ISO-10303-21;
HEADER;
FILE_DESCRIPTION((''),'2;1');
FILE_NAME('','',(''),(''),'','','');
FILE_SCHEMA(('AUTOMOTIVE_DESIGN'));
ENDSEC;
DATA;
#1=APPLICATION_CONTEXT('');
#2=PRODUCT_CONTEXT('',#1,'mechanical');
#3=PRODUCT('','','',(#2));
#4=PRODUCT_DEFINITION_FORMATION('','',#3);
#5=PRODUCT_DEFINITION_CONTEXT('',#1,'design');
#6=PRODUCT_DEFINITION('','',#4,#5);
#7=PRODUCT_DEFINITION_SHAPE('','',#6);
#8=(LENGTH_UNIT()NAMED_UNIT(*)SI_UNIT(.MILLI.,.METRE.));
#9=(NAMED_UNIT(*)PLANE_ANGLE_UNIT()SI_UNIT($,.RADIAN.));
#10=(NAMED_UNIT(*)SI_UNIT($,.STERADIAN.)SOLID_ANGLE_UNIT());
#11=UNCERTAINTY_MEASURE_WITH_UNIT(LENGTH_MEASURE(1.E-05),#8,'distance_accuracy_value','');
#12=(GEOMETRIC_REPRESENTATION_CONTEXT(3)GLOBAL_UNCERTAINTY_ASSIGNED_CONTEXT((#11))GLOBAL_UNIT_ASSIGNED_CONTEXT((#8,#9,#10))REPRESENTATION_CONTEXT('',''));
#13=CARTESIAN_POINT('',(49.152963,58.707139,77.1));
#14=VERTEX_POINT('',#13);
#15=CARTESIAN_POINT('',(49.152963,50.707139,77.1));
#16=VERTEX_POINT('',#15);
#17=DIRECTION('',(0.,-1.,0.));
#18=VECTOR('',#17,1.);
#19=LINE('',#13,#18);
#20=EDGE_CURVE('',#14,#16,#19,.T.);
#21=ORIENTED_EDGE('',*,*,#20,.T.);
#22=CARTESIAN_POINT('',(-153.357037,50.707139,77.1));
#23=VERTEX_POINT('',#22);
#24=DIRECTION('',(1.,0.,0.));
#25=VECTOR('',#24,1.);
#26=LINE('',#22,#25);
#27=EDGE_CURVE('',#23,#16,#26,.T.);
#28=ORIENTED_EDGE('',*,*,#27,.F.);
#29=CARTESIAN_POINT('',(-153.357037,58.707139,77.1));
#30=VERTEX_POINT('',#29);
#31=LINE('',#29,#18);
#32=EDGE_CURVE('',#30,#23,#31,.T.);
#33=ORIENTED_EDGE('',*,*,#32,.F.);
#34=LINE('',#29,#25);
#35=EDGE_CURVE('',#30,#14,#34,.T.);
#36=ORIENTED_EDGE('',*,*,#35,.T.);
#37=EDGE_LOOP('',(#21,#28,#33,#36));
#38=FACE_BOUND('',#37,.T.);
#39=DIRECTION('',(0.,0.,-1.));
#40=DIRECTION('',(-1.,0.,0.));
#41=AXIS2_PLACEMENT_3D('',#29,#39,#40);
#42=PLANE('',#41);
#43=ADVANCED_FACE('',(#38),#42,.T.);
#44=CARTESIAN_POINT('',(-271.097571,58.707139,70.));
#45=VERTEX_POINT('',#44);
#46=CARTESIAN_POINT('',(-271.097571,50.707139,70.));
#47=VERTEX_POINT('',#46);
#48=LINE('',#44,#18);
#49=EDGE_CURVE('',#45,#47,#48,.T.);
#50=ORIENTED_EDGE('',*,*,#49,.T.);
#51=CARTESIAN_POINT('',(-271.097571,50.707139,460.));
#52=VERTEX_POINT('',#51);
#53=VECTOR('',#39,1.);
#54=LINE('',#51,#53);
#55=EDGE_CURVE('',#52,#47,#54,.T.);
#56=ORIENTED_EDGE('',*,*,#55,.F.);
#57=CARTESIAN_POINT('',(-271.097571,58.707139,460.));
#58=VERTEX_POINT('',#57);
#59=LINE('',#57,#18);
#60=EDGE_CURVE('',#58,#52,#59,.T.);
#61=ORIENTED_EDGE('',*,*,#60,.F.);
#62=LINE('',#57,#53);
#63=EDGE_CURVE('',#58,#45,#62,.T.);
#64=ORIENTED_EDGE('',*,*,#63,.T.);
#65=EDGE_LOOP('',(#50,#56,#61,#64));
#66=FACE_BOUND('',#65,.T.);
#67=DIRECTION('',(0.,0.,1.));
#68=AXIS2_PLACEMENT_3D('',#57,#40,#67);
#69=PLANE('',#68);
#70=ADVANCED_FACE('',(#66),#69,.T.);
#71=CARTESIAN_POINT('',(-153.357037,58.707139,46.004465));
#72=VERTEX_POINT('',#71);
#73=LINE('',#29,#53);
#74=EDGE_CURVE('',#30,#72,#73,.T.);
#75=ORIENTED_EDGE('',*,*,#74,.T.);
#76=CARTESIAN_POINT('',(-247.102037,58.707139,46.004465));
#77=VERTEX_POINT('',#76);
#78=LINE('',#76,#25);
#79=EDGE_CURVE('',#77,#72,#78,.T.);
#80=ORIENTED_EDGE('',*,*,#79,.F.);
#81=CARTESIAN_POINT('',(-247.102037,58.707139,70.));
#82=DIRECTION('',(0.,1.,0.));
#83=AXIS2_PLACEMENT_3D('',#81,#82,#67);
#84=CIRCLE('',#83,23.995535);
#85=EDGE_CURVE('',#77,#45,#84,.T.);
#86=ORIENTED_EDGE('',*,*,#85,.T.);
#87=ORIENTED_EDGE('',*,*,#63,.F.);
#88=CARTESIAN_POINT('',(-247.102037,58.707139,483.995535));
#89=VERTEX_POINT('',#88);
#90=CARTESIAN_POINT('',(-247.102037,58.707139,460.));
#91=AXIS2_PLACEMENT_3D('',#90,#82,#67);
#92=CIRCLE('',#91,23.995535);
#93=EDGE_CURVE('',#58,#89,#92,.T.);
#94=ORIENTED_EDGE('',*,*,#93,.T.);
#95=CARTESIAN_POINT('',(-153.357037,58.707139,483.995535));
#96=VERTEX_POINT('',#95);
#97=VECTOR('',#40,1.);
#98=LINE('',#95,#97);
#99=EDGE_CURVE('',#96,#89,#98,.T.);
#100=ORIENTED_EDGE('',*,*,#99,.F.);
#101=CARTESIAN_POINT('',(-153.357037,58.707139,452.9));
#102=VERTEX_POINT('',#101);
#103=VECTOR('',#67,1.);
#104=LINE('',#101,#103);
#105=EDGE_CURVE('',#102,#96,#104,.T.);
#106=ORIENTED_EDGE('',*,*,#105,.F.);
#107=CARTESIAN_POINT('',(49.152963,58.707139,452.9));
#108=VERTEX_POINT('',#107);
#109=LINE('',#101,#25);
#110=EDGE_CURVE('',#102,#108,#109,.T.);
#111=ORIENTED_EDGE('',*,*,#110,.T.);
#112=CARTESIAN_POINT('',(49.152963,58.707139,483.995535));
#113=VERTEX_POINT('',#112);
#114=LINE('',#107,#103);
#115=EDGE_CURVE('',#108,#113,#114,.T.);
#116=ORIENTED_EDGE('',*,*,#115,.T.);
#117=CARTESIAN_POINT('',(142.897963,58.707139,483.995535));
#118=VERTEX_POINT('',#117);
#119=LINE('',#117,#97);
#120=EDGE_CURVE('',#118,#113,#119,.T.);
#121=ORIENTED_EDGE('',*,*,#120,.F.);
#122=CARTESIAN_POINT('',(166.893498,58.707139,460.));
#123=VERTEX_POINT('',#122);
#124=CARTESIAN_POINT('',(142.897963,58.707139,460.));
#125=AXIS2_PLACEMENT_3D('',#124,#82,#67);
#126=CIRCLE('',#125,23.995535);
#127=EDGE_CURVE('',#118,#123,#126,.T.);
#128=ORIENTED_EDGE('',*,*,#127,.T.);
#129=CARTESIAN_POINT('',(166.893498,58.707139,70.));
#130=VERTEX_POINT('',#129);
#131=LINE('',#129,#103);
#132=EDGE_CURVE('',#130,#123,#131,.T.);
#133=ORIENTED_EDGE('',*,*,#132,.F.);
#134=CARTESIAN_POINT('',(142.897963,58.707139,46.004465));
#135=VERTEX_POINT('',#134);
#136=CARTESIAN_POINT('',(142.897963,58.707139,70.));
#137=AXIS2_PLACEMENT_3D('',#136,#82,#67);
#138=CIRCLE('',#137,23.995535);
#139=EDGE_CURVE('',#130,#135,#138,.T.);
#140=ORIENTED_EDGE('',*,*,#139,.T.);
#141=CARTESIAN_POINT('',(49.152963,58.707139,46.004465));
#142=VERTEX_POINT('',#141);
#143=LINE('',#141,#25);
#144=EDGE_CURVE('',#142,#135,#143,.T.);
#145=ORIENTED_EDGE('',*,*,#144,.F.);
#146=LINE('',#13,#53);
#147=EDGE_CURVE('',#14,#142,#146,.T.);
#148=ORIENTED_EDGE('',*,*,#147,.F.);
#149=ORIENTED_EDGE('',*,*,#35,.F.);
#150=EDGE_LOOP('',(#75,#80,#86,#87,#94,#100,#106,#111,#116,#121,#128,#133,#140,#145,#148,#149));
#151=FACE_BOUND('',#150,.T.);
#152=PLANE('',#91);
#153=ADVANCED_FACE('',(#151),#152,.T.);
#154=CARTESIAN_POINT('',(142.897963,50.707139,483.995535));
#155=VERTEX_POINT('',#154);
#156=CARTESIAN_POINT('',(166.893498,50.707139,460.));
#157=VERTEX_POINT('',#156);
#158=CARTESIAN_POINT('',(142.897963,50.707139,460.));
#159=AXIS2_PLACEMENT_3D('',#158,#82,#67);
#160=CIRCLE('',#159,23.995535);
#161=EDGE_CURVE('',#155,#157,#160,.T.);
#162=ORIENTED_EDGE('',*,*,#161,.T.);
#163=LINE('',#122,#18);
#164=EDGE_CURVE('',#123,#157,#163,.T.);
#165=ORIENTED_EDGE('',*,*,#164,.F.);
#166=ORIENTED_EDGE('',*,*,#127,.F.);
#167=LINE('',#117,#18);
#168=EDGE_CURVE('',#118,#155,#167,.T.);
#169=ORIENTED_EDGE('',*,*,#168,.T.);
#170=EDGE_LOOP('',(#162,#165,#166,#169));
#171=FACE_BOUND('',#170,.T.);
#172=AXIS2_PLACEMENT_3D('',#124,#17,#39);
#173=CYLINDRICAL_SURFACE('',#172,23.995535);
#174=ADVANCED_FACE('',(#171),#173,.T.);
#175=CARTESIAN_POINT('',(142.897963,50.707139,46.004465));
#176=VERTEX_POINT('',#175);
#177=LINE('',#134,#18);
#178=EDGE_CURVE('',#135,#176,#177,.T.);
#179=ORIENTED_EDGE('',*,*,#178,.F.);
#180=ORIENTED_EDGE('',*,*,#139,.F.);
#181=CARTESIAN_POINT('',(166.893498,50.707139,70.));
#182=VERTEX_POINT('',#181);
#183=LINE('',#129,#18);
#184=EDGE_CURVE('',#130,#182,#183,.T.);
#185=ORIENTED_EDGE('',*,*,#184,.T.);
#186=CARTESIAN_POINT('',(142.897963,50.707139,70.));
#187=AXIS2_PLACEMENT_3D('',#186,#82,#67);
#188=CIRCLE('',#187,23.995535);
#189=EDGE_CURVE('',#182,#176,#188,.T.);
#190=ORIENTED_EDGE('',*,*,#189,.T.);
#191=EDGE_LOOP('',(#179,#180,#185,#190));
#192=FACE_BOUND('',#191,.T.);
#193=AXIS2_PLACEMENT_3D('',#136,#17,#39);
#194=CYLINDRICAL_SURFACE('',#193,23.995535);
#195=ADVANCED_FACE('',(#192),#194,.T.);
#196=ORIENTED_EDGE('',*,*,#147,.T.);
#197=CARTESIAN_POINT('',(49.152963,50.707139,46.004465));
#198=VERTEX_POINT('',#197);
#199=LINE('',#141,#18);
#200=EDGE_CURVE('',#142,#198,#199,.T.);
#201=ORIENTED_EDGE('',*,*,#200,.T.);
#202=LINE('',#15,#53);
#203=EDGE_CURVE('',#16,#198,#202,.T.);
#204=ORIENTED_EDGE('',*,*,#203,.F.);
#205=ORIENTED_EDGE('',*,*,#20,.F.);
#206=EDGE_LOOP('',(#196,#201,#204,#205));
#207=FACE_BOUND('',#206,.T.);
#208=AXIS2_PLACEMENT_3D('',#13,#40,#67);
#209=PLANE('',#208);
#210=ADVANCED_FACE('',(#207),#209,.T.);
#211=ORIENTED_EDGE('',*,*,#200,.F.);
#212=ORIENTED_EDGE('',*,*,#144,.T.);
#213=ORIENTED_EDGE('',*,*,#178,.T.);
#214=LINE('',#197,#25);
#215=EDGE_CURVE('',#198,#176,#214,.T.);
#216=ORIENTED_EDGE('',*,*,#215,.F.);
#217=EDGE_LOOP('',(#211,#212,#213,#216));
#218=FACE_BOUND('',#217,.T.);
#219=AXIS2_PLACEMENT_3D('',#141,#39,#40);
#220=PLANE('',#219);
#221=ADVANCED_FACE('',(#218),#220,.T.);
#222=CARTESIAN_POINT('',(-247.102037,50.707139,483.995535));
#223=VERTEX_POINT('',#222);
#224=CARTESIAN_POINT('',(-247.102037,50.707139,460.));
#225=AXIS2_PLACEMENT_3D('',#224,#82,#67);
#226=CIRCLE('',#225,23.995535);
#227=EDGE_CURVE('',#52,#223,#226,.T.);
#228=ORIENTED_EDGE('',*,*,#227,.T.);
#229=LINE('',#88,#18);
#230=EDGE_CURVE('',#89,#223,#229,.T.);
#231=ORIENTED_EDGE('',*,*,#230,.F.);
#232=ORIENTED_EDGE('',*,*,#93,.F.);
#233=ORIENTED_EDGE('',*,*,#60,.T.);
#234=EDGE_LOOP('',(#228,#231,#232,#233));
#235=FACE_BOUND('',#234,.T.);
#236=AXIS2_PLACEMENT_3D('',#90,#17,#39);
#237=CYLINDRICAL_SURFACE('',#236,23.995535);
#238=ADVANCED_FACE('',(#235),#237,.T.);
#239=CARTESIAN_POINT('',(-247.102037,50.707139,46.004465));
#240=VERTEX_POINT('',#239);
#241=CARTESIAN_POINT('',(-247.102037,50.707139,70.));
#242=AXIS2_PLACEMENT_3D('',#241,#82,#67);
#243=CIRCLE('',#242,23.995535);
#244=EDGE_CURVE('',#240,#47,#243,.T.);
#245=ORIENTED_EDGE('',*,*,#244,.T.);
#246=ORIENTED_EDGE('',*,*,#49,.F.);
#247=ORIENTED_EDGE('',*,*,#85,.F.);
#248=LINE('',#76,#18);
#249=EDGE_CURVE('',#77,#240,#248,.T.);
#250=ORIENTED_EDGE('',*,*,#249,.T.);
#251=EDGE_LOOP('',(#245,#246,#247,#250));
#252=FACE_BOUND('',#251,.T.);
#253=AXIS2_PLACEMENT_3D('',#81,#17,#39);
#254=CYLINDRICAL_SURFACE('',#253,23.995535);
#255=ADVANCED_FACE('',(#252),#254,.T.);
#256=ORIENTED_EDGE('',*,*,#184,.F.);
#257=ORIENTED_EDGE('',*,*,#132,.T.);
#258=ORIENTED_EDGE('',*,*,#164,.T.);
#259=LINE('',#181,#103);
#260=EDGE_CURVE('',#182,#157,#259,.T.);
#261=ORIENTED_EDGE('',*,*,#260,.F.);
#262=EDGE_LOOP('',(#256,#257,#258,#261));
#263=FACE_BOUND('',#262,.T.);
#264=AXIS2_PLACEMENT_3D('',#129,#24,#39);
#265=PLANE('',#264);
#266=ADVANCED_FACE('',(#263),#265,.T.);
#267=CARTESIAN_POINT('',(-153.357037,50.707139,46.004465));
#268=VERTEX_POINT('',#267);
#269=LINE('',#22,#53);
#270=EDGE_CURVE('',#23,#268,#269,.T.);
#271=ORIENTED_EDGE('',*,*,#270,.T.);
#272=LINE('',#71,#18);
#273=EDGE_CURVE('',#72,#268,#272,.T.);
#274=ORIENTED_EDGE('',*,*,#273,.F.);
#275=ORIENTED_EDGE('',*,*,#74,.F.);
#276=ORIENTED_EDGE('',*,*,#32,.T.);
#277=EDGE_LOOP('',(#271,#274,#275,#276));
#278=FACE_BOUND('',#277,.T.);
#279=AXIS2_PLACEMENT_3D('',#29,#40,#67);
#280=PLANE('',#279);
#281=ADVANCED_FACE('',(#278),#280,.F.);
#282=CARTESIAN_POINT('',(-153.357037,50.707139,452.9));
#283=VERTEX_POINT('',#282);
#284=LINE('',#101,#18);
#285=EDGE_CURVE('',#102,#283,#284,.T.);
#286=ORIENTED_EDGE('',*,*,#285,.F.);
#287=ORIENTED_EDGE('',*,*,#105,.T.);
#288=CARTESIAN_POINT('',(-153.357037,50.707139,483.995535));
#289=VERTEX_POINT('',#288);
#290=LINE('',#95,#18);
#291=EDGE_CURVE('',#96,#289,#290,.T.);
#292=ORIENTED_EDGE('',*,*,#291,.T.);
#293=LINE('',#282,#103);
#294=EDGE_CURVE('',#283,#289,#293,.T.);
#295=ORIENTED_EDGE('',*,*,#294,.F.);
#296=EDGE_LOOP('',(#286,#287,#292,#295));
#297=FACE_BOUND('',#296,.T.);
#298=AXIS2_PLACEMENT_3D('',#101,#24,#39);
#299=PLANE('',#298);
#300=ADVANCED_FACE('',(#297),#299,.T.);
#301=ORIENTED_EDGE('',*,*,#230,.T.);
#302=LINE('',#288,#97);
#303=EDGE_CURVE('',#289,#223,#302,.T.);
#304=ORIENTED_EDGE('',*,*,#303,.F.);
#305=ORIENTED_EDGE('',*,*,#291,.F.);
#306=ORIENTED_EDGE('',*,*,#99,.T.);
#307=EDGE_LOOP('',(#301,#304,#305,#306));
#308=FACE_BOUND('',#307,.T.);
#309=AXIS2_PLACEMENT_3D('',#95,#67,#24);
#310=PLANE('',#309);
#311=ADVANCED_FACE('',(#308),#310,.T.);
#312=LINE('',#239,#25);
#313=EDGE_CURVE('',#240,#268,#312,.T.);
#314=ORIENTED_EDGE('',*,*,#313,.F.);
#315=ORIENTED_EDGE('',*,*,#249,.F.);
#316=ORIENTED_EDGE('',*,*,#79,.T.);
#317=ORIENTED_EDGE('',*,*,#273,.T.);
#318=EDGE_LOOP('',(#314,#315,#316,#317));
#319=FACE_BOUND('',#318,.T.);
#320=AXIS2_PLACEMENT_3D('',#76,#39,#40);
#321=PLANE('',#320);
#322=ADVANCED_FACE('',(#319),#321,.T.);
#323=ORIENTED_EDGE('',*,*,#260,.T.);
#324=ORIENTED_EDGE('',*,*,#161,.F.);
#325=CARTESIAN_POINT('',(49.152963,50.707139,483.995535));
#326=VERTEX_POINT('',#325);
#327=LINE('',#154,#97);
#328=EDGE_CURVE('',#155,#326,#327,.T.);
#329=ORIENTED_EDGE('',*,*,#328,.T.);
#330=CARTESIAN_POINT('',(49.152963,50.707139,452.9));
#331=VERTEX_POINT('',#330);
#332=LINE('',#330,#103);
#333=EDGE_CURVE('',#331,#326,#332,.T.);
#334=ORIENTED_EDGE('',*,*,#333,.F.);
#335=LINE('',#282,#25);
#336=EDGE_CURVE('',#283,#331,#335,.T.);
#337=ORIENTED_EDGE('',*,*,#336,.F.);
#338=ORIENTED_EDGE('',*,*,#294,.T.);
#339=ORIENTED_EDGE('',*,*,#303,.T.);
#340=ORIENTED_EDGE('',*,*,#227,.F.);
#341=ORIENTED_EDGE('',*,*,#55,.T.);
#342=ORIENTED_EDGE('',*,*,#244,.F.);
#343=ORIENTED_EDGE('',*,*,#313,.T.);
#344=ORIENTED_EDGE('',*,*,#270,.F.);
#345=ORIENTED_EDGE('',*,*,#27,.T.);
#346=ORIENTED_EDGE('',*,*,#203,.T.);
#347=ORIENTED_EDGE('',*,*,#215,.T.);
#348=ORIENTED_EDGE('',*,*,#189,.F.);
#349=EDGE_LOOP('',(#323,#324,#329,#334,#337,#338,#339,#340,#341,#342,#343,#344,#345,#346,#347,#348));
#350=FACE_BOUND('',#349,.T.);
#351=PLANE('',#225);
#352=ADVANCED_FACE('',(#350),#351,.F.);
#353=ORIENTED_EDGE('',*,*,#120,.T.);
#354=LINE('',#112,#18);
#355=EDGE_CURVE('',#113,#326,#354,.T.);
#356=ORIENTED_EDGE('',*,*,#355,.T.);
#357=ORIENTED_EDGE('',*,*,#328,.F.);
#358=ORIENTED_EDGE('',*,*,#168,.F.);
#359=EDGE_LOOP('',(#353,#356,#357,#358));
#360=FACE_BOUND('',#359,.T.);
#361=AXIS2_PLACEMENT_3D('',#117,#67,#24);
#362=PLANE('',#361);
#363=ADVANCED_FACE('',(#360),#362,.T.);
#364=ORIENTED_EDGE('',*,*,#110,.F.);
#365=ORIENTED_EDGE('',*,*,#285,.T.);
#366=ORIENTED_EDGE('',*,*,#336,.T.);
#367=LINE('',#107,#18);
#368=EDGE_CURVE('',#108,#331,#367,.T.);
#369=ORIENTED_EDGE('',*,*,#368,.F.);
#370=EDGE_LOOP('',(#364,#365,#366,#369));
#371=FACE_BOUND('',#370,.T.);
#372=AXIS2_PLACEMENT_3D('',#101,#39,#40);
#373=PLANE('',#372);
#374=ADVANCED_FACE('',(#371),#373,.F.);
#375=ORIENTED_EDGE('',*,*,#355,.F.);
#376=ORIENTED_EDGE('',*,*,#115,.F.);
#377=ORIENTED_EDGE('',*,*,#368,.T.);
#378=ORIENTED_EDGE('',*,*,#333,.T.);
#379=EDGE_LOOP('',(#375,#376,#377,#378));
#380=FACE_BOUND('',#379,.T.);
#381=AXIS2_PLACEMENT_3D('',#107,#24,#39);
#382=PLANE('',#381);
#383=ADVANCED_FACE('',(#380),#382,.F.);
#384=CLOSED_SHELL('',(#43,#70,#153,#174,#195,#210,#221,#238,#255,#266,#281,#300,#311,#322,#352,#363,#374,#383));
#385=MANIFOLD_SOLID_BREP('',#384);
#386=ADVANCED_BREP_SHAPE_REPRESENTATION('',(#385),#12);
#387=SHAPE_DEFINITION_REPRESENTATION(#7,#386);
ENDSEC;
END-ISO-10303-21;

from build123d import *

# Parameters (mm, degrees)
SALIENTE_EXTRUIR1_DEPTH = 4


with BuildPart() as part:
    # Croquis1 → Saliente-Extruir1 (new, symmetric)
    with BuildSketch(Plane(origin=(0, 54.707138557, 0), x_dir=(1, 0, 0), z_dir=(0, 1, 0))):
        with BuildLine():
            Line((-153.357036721, -77.1), (49.152963279, -77.1))
            Line((49.152963279, -77.1), (49.152963279, -46.00446543))
            Line((49.152963279, -46.00446543), (142.897963279, -46.00446543))
            ThreePointArc((142.897963279, -46.00446543), (159.865368491, -53.032594788), (166.893497848, -70))
            Line((166.893497848, -70), (166.893497848, -460))
            ThreePointArc((166.893497848, -460), (159.865368491, -476.967405212), (142.897963279, -483.99553457))
            Line((142.897963279, -483.99553457), (49.152963279, -483.99553457))
            Line((49.152963279, -483.99553457), (49.152963279, -452.9))
            Line((49.152963279, -452.9), (-153.357036721, -452.9))
            Line((-153.357036721, -452.9), (-153.357036721, -483.99553457))
            Line((-153.357036721, -483.99553457), (-247.102036721, -483.99553457))
            ThreePointArc((-247.102036721, -483.99553457), (-264.069441934, -476.967405212), (-271.097571291, -460))
            Line((-271.097571291, -460), (-271.097571291, -70))
            ThreePointArc((-271.097571291, -70), (-264.069441934, -53.032594788), (-247.102036721, -46.00446543))
            Line((-247.102036721, -46.00446543), (-153.357036721, -46.00446543))
            Line((-153.357036721, -46.00446543), (-153.357036721, -77.1))
        make_face()
    extrude(amount=SALIENTE_EXTRUIR1_DEPTH, both=True)


solid = part.part
